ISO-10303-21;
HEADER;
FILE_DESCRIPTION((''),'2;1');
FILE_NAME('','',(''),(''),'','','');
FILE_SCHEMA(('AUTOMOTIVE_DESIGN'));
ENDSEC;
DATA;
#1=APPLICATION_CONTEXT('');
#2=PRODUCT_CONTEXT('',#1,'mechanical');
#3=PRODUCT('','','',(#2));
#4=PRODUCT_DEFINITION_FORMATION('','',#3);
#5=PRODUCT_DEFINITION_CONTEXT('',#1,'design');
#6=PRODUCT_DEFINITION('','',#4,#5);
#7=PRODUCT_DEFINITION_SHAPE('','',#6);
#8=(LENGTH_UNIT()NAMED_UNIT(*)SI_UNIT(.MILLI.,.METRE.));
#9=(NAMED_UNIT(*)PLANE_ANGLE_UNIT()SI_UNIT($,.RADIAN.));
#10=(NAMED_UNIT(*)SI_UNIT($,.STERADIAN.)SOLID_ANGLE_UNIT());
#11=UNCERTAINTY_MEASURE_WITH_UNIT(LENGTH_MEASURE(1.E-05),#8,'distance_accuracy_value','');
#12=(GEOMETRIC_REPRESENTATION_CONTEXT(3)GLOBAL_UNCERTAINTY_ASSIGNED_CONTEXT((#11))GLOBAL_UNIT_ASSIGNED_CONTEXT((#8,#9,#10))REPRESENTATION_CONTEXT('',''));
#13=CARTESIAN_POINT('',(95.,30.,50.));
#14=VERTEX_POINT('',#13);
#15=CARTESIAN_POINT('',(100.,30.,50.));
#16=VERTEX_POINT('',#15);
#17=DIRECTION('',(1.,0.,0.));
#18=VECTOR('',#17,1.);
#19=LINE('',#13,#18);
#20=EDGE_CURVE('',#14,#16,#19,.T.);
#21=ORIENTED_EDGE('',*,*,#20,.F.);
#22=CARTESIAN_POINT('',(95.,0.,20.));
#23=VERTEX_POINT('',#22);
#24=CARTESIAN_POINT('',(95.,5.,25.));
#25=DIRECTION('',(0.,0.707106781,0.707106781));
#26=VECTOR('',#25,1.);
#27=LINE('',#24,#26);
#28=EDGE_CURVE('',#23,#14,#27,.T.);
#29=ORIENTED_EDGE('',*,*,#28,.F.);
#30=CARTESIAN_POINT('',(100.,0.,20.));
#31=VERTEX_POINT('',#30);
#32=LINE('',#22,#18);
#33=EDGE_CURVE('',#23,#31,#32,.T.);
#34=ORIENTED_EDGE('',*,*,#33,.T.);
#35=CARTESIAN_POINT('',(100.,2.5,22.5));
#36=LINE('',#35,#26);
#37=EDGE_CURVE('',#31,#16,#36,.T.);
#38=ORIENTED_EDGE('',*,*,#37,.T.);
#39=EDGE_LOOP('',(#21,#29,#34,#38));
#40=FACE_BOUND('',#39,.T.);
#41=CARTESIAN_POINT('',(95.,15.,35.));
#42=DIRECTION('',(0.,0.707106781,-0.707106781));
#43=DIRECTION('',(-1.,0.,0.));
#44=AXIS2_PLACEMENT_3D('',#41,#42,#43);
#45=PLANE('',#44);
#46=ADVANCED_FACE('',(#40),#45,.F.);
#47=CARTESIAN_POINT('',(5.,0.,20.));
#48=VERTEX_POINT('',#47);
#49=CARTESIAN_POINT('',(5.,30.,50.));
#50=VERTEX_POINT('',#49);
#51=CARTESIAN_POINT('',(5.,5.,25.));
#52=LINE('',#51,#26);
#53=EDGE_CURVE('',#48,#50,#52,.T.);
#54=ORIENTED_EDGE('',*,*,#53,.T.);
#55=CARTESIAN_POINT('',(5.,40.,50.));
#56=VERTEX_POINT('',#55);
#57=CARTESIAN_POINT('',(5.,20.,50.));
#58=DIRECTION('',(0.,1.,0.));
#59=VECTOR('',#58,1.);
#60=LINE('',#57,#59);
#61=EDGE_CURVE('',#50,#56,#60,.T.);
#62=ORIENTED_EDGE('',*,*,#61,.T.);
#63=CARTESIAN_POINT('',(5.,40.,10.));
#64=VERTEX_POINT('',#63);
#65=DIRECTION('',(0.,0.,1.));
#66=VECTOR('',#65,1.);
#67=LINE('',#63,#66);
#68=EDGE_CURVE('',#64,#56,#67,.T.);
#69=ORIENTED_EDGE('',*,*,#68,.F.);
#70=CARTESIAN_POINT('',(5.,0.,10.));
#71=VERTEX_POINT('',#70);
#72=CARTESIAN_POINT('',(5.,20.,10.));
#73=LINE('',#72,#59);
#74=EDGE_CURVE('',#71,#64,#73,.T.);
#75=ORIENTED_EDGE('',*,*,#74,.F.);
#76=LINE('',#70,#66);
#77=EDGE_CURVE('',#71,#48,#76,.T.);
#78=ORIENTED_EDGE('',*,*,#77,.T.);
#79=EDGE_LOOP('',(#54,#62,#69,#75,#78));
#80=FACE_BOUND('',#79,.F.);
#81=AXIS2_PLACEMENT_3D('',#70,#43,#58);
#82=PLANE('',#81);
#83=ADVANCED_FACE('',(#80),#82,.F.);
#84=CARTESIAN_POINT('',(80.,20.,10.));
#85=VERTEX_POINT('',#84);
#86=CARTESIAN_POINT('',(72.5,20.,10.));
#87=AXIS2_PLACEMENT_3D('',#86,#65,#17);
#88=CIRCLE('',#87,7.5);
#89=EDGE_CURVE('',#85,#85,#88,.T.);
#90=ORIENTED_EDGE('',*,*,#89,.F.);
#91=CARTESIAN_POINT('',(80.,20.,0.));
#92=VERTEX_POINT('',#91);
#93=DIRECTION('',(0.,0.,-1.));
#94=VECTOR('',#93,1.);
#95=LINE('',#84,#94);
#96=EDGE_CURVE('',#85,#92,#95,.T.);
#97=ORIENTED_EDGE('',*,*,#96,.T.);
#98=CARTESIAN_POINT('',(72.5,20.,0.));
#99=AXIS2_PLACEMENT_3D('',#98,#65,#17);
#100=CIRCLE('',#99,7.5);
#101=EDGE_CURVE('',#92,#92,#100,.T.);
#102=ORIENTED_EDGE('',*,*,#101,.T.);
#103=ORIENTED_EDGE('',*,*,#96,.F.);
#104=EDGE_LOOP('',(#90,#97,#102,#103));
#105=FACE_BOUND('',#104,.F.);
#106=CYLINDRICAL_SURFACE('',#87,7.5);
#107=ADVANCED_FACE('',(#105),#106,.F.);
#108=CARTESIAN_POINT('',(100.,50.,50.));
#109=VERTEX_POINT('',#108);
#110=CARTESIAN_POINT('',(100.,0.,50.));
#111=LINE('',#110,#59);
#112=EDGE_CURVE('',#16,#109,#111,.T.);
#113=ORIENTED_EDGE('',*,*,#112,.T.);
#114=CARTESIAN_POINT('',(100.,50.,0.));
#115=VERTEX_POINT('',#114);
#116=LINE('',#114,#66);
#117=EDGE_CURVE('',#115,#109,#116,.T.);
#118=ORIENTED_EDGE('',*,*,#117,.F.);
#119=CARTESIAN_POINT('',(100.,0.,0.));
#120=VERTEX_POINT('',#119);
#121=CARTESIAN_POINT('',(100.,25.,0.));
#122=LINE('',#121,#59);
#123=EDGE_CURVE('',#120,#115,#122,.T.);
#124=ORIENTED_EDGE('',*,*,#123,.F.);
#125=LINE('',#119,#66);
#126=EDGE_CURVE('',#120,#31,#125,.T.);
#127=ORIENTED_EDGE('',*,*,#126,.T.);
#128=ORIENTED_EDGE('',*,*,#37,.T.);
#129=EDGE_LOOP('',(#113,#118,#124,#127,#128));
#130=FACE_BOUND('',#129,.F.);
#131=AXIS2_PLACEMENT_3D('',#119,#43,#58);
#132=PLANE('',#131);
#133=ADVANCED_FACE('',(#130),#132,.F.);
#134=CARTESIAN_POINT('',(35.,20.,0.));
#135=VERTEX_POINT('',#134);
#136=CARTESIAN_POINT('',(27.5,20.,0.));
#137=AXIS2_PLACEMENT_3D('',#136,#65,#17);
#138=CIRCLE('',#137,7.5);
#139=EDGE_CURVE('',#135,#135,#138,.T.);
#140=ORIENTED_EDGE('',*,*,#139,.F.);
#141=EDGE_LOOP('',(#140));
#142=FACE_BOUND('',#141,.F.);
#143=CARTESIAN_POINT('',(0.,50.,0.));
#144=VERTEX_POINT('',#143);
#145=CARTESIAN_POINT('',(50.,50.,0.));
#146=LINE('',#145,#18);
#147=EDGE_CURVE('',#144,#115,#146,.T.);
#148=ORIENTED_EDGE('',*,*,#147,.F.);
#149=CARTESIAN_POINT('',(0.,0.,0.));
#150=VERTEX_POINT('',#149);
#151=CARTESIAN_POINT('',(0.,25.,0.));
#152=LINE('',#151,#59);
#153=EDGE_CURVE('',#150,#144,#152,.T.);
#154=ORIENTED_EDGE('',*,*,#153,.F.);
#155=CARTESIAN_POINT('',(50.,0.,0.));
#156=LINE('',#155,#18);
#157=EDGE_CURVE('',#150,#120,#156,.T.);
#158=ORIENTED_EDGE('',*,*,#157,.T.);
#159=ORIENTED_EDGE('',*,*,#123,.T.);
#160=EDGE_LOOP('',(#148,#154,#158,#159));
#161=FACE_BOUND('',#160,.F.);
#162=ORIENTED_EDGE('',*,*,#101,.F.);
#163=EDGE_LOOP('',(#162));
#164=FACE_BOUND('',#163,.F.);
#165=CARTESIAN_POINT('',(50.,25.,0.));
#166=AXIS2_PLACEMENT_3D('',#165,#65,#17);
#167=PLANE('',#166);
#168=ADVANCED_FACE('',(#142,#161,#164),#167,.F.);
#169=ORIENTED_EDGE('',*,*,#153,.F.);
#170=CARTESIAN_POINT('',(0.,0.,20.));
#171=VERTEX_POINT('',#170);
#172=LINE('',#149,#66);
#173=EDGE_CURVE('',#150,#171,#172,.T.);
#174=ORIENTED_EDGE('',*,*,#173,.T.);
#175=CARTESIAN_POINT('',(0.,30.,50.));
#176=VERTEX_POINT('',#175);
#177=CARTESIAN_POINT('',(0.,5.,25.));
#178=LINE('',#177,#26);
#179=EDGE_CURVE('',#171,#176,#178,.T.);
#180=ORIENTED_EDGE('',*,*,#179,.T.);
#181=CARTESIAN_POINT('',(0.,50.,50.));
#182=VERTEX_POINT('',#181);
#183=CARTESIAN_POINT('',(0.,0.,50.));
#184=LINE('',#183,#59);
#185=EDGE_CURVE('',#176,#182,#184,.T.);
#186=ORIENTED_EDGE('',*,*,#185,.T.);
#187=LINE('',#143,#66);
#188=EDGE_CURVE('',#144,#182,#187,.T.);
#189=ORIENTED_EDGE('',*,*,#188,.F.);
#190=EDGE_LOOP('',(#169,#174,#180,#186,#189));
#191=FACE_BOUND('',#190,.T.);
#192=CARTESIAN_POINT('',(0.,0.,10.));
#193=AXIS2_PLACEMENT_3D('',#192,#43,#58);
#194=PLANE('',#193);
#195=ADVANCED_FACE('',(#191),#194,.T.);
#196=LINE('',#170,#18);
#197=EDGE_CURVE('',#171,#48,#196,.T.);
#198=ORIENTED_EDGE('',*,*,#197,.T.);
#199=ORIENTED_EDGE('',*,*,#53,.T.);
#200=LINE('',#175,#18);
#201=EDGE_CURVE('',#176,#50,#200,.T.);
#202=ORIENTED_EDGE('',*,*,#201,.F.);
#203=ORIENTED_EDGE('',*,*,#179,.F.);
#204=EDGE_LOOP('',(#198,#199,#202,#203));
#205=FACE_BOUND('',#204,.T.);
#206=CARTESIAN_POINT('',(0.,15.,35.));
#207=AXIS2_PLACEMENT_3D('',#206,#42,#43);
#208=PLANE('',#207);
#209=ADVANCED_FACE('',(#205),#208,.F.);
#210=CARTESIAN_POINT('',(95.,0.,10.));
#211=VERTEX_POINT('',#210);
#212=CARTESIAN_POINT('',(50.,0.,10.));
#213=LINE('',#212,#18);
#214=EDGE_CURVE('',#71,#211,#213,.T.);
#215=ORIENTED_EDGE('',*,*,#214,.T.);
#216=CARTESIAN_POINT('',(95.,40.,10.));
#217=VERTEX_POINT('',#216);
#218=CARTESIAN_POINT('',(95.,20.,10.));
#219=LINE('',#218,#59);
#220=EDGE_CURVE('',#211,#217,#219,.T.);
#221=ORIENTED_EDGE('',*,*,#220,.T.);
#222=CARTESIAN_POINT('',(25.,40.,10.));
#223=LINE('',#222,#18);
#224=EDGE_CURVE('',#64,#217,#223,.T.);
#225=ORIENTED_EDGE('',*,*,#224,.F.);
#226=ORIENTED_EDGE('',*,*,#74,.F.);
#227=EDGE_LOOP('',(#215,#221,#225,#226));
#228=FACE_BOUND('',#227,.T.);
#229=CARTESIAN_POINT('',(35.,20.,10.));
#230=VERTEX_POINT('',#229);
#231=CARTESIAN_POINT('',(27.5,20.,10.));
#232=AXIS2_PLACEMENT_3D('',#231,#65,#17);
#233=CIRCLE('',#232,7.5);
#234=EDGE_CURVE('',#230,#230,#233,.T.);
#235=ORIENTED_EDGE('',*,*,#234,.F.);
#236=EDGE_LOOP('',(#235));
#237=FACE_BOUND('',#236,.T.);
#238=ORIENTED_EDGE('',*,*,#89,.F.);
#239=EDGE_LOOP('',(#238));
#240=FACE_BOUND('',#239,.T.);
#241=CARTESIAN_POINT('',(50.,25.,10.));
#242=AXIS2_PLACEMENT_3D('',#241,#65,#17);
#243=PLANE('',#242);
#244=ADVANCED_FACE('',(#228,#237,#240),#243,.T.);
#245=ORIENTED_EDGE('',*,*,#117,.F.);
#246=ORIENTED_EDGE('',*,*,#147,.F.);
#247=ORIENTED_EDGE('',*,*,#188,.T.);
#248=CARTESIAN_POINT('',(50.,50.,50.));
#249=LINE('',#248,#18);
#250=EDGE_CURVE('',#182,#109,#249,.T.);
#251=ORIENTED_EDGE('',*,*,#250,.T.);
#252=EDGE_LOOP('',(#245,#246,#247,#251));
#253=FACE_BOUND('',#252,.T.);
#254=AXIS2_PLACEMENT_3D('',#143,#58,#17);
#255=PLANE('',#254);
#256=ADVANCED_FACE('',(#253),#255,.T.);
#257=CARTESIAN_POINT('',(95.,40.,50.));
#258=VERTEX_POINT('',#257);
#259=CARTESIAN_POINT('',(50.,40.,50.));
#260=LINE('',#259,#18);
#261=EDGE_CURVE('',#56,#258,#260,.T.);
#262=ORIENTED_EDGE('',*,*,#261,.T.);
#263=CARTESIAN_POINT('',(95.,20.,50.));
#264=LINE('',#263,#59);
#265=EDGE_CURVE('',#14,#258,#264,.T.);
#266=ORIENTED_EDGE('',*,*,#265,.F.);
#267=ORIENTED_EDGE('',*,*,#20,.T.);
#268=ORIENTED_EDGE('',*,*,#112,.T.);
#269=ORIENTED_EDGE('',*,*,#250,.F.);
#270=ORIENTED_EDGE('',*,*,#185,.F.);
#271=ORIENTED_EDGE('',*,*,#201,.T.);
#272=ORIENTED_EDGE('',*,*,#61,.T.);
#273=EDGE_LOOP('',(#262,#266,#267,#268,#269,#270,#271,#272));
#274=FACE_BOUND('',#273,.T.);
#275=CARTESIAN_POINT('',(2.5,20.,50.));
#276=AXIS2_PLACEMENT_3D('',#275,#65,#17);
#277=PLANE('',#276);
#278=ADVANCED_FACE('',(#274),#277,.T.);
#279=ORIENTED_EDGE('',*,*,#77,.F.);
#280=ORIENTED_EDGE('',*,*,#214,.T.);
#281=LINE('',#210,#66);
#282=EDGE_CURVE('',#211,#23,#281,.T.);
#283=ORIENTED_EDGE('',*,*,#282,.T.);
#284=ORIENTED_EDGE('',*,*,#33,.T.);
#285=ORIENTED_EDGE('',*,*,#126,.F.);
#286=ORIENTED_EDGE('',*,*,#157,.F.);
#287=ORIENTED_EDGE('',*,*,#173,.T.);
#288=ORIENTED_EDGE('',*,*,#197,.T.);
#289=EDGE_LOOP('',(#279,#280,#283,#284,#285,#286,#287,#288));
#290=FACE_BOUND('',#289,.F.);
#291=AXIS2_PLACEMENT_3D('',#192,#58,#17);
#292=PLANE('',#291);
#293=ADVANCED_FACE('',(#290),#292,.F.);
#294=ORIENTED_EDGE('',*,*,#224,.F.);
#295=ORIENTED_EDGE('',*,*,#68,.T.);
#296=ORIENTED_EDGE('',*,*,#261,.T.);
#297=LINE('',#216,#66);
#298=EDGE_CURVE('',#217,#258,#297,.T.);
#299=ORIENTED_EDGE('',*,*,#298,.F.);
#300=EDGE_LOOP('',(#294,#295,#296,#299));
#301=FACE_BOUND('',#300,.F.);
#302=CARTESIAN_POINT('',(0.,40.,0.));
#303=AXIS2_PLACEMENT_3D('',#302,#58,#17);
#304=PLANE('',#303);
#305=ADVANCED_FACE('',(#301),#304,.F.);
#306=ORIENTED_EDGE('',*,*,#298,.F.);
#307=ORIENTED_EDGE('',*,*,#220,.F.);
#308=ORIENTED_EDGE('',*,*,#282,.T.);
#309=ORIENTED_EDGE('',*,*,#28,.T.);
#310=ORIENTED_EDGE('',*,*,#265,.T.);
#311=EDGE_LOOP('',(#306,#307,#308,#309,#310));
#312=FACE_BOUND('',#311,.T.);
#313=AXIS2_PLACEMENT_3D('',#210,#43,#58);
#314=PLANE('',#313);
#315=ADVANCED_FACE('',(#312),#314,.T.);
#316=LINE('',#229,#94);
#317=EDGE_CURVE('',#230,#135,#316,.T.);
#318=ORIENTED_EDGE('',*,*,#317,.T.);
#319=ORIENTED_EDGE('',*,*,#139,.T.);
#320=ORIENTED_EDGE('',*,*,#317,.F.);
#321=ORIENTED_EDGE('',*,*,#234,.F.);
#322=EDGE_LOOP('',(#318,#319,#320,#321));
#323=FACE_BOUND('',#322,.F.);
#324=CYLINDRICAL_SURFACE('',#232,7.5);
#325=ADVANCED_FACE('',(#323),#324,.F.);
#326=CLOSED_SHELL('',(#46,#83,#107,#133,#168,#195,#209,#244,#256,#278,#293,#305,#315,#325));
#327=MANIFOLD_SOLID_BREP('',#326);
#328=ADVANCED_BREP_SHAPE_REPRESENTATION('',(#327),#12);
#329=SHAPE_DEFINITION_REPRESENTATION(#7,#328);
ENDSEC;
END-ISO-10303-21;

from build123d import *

# Parameters (mm, degrees)
F0_W     = 100
F0_H     = 50
F1_DEPTH = 50
F2_T     = -10
F3_R     = 7.5
F4_DEPTH = 10.001
F5_W     = 5
F5_H     = 40
F6_DEPTH = 40
F7_SIZE  = 30


with BuildPart() as f1:
    # F0 (on Top) → F1 (new body)
    with BuildSketch(Plane.XY):
        with Locations((50, 25)):
            Rectangle(F0_W, F0_H)
    extrude(amount=F1_DEPTH)

    # F2
    f2_openings = [f1.faces().sort_by_distance(p)[0] for p in [
        (50, 25, 50),
        (50, 0, 25),
        (100, 25, 25),
        (0, 25, 25),
    ]]
    offset(amount=F2_T, openings=f2_openings)

    # F3 (on face) → F4 (cut, through all)
    with BuildSketch(Plane.XY.offset(10)):
        with Locations((27.5, 20)):
            Circle(F3_R)
        with Locations((72.5, 20)):
            Circle(F3_R)
    extrude(amount=-F4_DEPTH, mode=Mode.SUBTRACT)

    # F5 (on face) → F6 (join)
    with BuildSketch(Plane.XY.offset(10)):
        with Locations((2.5, 20)):
            Rectangle(F5_W, F5_H)
        with Locations((97.5, 20)):
            Rectangle(F5_W, F5_H)
    extrude(amount=F6_DEPTH)

    # F7
    f7_edges = [f1.edges().sort_by_distance(p)[0] for p in [
        (2.5, 0, 50),
        (97.5, 0, 50),
    ]]
    chamfer(f7_edges, length=F7_SIZE)


solid = f1.part
